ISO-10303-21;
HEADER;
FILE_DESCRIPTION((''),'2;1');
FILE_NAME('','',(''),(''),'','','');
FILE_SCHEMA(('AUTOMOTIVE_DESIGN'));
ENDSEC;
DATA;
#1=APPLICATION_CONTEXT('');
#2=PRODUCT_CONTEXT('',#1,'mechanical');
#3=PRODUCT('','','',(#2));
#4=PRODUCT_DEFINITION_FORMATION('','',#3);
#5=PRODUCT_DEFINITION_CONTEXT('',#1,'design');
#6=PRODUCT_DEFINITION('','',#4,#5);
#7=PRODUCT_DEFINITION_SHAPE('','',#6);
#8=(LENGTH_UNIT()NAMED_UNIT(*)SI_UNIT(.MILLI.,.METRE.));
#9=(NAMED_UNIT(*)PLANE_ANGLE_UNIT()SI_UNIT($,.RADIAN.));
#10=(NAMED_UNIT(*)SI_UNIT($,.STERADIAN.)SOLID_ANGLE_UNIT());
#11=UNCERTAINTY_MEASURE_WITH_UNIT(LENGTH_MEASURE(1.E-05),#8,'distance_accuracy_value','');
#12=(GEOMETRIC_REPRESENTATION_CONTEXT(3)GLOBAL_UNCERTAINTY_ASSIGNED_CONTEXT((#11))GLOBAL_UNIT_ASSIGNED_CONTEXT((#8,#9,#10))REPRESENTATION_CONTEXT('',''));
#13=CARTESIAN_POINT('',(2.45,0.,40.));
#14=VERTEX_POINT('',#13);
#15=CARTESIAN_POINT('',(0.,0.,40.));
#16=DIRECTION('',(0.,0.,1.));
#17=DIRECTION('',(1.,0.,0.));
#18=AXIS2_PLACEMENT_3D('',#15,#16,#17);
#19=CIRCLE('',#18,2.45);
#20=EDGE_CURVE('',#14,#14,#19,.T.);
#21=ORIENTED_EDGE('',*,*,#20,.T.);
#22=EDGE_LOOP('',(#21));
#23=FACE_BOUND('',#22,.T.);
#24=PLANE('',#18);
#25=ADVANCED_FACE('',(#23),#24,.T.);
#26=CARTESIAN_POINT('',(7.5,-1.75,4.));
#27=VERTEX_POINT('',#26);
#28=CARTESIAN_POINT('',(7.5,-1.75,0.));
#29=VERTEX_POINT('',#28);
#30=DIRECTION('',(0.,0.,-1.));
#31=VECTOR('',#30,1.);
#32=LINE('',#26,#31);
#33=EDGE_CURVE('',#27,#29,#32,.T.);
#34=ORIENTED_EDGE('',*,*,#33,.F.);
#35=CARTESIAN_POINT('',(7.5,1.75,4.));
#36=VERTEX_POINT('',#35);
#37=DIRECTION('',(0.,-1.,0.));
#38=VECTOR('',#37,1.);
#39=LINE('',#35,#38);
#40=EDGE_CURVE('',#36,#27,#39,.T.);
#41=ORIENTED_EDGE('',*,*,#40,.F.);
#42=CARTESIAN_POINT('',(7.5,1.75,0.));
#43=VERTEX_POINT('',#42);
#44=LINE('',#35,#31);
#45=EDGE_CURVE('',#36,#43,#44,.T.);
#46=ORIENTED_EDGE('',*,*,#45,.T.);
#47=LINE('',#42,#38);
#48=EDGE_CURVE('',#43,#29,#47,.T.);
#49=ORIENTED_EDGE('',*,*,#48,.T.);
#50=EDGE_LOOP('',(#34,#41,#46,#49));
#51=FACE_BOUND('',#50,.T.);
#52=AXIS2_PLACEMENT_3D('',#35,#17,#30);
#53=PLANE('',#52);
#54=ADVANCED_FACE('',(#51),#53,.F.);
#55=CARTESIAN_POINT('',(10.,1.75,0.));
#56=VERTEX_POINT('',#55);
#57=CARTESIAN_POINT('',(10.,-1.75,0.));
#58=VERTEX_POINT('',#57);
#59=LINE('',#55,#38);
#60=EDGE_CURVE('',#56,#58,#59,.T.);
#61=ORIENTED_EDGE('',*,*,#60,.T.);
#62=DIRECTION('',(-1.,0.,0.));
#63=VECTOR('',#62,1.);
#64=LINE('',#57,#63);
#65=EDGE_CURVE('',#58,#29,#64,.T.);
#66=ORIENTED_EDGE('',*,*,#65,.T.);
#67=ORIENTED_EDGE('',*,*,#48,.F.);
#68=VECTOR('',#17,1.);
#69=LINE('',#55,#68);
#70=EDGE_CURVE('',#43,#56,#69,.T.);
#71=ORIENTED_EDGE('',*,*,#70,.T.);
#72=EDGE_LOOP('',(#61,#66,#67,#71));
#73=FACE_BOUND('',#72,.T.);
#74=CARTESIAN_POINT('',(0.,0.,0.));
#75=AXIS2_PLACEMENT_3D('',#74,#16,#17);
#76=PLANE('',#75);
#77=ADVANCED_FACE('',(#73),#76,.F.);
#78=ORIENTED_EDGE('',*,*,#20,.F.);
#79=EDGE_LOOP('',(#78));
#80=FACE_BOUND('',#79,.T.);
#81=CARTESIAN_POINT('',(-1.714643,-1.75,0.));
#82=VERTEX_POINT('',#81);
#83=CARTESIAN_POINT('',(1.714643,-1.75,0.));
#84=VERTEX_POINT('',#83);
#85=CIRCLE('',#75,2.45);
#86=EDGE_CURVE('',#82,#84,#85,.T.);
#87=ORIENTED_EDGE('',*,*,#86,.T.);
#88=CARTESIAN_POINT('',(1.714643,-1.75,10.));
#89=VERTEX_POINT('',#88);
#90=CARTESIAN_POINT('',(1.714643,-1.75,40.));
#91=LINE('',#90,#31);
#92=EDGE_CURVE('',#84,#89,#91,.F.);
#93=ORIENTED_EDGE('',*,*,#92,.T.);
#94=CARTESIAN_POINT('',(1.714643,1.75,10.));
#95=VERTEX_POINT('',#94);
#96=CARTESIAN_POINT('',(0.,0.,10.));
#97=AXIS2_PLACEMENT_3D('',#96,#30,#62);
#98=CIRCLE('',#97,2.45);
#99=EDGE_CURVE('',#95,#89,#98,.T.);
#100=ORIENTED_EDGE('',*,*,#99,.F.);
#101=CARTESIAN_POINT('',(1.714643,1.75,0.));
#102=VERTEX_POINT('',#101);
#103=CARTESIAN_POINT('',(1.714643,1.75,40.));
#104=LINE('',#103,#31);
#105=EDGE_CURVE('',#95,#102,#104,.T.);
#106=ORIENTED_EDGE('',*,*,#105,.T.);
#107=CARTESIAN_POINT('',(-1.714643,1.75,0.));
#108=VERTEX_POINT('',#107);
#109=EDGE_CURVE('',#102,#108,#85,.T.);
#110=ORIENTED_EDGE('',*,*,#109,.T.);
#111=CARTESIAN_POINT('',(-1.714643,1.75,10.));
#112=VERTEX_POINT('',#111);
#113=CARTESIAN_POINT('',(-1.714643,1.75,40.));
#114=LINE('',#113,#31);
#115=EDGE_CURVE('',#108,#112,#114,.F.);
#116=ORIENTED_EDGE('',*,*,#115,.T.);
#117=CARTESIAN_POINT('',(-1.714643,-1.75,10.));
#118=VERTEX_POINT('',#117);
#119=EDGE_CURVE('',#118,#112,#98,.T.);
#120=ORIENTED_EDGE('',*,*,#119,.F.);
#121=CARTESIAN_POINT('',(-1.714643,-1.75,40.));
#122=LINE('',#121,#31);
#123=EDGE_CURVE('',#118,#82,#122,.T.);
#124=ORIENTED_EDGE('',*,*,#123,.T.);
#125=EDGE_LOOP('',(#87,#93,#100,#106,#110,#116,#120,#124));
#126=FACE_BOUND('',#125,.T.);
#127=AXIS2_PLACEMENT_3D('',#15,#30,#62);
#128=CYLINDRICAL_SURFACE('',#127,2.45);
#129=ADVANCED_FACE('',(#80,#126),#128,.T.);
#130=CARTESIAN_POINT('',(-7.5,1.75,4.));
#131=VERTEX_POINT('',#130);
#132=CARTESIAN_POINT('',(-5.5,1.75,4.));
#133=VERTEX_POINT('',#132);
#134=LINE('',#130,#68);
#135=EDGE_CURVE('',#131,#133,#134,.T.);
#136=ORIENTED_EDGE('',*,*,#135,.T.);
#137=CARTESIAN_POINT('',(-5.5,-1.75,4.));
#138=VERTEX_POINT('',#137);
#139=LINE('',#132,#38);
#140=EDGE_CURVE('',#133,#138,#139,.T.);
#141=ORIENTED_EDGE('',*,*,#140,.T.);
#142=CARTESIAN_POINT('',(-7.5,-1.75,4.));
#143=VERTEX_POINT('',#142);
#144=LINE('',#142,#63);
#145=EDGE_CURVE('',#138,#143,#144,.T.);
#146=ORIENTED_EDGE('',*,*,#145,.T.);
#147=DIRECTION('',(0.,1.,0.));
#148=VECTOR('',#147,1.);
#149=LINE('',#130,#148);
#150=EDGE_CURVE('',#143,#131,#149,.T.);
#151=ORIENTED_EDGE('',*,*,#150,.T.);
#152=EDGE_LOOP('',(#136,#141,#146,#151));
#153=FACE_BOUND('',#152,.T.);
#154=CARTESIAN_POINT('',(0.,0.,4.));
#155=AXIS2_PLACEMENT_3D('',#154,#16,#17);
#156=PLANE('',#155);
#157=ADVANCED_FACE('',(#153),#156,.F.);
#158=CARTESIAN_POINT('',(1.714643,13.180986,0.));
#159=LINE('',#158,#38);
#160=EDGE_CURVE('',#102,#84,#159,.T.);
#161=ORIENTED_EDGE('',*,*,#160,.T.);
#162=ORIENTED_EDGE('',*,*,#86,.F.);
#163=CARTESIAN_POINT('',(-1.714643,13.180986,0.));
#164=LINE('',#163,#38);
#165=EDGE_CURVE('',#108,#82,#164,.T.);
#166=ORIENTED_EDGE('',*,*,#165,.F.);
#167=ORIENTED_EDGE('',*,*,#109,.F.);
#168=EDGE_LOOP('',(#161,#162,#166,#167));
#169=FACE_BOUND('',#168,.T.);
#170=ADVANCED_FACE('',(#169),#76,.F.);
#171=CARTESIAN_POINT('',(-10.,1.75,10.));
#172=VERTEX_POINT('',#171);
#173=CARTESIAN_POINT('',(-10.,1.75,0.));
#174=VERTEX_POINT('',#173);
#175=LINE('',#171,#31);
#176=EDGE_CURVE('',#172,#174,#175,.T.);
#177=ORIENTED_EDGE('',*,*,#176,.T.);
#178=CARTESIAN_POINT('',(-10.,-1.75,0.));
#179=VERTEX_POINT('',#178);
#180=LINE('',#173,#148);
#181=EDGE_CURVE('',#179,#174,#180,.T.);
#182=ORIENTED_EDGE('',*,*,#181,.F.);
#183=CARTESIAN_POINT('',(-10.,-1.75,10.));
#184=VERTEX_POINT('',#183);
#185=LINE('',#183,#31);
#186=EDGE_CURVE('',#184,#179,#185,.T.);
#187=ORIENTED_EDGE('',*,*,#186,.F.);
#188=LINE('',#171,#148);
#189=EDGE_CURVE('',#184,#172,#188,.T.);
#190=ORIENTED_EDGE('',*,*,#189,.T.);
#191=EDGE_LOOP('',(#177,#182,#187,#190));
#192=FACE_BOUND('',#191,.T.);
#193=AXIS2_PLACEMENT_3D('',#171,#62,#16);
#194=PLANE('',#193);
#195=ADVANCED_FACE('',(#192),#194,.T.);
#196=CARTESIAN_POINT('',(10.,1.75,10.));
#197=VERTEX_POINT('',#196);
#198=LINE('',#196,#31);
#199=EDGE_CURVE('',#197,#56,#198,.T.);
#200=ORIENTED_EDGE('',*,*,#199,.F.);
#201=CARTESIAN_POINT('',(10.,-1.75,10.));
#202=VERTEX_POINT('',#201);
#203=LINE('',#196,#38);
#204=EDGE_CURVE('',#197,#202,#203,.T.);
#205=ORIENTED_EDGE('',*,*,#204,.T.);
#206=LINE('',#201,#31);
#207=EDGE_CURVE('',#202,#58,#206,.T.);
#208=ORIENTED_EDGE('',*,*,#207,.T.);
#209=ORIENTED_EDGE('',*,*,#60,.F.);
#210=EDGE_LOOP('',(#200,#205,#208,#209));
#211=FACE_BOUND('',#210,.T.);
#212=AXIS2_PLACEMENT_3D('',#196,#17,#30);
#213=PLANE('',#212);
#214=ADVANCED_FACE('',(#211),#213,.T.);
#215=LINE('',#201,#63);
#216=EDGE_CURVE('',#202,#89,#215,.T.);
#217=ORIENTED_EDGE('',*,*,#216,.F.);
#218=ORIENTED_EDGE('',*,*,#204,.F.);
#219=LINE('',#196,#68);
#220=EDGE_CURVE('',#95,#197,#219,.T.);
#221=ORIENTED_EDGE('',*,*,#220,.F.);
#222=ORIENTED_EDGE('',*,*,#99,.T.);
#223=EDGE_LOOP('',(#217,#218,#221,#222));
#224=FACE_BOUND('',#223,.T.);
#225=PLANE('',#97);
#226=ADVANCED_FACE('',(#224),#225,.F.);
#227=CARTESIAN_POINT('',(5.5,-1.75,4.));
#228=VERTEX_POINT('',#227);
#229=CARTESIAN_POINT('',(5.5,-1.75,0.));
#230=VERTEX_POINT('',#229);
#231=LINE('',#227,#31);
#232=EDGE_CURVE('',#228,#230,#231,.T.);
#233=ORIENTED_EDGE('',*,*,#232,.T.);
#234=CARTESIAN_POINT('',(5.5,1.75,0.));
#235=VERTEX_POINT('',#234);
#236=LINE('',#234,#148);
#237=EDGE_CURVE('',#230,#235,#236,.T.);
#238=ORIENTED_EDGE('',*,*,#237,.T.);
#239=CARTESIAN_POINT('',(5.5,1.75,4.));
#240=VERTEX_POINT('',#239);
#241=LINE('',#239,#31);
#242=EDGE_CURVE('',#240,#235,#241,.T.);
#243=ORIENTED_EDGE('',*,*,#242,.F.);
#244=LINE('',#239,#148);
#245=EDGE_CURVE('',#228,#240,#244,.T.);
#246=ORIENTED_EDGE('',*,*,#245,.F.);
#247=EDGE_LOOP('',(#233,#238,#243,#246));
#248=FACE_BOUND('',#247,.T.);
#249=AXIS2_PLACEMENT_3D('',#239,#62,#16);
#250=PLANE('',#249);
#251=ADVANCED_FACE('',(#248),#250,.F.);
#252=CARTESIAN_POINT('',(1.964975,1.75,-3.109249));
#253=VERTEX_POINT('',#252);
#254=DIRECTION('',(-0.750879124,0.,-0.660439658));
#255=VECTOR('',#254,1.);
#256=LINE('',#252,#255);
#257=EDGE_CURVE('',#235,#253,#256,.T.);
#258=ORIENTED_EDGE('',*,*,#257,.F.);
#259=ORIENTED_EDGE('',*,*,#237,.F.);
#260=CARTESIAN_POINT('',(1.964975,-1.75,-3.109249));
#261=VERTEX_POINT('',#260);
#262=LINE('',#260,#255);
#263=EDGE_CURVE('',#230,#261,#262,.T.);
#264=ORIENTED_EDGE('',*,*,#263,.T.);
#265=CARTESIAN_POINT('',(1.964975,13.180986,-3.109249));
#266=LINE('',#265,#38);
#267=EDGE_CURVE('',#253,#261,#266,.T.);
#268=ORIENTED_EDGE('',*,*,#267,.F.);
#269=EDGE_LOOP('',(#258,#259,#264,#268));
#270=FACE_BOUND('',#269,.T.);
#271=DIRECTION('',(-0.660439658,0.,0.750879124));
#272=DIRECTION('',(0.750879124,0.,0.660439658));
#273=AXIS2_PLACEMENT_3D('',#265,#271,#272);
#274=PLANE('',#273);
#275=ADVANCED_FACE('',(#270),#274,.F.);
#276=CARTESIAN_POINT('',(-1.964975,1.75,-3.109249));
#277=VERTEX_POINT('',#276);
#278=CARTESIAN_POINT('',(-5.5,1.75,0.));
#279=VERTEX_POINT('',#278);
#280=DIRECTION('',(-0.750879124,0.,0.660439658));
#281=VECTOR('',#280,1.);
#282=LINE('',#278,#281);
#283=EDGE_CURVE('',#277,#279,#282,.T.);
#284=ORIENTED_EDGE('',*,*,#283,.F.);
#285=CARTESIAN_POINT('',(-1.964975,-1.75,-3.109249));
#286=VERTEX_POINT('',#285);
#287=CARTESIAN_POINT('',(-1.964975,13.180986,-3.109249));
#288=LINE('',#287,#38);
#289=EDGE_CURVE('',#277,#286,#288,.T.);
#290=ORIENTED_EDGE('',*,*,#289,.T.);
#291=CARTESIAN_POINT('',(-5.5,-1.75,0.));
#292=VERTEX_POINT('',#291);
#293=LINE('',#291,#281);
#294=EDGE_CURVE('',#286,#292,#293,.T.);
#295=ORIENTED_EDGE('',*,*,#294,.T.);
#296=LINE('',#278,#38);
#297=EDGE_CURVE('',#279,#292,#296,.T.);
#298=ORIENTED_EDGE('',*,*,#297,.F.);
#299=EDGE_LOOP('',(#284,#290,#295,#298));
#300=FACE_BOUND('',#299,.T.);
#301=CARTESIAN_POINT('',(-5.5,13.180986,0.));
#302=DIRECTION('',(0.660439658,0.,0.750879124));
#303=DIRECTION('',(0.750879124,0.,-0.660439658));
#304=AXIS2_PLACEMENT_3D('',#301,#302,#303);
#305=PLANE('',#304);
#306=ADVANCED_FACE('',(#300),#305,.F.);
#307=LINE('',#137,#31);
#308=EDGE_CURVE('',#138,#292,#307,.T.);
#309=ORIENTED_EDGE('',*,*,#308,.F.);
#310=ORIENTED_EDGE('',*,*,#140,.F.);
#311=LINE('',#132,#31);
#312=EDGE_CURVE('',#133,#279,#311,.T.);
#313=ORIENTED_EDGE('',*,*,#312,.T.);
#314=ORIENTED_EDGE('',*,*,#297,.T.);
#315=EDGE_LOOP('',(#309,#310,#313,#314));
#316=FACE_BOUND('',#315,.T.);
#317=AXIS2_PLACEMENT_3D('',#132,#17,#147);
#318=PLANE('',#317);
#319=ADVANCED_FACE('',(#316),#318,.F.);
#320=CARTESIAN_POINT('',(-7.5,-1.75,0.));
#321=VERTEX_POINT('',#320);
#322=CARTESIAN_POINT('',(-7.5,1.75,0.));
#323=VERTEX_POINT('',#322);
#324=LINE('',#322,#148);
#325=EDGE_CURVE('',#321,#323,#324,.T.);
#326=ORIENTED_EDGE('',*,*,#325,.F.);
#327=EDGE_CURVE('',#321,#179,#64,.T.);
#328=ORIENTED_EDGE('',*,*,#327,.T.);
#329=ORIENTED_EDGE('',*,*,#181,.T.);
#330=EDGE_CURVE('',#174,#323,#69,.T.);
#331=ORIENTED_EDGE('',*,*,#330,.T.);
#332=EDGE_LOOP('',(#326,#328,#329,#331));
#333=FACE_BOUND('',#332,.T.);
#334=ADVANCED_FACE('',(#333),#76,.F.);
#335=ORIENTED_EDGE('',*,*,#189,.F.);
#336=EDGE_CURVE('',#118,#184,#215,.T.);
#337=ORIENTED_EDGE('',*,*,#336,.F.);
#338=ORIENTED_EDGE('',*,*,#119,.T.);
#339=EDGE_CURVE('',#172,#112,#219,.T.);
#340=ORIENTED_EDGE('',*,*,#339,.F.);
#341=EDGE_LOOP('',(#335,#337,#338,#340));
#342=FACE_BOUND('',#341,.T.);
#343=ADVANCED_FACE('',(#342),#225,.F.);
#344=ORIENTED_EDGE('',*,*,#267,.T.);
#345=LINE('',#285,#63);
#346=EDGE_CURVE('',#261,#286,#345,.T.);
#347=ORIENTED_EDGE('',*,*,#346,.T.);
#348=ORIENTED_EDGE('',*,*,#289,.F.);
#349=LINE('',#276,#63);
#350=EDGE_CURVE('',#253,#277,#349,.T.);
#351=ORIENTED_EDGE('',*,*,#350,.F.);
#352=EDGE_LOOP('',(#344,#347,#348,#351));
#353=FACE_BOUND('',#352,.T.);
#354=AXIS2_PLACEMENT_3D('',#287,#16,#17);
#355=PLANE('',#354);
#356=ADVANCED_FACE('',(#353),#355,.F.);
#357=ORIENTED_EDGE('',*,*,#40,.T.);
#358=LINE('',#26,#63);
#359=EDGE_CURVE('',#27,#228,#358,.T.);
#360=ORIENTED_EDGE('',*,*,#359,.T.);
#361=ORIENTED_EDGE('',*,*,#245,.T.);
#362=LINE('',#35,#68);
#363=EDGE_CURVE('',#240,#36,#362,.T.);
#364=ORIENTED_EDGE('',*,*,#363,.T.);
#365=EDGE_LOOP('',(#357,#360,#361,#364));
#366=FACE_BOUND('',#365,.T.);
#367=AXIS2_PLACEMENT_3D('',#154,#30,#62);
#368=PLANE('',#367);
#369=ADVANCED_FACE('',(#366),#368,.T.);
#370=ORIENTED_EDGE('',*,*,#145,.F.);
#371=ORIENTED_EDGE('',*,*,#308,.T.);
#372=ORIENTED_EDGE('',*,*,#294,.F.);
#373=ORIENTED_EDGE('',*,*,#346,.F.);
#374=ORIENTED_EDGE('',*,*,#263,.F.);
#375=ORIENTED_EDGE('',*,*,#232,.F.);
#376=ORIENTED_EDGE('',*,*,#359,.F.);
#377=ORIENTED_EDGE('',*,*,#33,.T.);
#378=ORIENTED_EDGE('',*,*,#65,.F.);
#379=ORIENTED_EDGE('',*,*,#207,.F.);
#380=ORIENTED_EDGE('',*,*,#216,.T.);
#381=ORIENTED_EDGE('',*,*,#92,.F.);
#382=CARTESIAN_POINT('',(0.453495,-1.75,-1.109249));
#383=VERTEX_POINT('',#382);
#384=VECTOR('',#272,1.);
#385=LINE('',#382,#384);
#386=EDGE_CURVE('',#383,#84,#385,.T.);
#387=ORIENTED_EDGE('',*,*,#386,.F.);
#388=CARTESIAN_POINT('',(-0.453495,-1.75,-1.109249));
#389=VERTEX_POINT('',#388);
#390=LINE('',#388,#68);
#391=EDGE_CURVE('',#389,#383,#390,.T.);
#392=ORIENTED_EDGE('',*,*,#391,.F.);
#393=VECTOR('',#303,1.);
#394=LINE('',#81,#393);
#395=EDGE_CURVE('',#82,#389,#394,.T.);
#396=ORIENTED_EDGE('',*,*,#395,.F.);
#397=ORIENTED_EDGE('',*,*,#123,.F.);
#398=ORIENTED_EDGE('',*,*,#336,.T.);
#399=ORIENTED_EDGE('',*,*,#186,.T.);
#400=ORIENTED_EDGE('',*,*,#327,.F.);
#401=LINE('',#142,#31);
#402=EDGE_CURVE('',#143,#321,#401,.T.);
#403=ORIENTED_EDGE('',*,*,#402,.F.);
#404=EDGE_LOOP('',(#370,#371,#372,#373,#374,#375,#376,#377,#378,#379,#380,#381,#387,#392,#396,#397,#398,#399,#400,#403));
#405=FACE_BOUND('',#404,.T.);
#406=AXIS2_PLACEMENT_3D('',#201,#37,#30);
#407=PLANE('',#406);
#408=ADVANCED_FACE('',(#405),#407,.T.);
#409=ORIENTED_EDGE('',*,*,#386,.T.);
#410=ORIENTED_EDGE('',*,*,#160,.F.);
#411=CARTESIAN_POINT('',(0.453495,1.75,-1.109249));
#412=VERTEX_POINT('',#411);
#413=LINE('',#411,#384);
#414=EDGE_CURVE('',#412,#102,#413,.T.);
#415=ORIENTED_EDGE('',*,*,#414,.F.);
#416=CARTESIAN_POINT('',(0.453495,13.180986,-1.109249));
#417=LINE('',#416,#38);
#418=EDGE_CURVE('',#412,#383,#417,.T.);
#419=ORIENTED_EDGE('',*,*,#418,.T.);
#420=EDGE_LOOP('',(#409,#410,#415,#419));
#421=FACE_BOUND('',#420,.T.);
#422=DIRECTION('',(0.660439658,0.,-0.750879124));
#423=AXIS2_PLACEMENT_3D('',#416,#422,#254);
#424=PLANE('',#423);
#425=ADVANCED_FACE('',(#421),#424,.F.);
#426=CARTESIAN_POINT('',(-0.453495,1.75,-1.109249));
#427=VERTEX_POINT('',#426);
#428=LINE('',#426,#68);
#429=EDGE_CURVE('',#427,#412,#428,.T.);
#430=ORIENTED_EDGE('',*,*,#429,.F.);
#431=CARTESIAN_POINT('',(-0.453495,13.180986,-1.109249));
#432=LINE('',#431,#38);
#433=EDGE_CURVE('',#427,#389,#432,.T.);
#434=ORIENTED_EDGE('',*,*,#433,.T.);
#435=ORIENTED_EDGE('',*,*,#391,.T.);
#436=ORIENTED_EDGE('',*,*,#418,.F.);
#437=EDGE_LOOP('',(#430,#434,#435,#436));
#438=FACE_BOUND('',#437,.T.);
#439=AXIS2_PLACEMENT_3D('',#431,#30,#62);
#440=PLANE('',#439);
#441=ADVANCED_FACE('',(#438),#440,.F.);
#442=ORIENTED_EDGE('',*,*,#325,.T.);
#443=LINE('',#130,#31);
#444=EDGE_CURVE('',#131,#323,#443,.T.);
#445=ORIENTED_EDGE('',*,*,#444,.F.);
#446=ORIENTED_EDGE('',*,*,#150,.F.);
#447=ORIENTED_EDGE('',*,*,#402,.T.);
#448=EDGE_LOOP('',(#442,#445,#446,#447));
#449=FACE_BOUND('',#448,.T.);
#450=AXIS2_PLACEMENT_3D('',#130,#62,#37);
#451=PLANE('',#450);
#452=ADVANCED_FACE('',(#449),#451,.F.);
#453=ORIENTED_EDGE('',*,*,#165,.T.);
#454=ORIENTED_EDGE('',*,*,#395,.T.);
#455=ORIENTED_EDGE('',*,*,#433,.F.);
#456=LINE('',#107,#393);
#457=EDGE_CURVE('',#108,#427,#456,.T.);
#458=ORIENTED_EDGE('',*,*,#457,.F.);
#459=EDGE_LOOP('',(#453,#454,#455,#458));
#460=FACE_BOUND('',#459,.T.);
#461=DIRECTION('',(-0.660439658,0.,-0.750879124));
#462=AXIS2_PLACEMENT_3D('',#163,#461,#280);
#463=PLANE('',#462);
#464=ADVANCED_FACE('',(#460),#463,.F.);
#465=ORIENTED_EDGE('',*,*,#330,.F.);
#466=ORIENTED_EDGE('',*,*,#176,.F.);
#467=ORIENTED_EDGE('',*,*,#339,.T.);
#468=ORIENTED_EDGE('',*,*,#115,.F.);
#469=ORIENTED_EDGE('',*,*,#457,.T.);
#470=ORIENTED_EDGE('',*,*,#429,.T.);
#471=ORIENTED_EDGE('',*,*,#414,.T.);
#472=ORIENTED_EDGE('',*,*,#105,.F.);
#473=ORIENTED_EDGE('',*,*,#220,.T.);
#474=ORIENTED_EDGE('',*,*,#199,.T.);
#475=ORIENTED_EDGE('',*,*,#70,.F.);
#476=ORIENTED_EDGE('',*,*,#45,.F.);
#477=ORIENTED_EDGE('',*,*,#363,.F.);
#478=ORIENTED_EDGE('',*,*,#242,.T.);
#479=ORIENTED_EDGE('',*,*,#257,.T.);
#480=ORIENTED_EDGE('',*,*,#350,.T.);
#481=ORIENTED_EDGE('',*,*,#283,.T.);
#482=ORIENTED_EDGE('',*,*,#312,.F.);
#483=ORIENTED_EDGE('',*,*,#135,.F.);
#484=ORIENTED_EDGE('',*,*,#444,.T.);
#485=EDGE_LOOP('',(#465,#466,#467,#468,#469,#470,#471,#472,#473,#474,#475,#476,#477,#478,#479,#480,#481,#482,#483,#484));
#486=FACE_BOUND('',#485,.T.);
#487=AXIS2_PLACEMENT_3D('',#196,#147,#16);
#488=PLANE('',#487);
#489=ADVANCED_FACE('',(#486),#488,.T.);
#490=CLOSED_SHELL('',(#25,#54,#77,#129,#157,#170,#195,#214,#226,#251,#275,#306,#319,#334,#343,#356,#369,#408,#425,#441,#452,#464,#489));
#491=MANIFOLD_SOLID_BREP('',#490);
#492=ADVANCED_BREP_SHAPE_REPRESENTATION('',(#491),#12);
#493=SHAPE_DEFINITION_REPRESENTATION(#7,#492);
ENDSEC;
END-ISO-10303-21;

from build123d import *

# Parameters (mm, degrees)
SKETCH2_R           = 2.45
BOSS_EXTRUDE1_DEPTH = 40
SKETCH3_W           = 20
SKETCH3_H           = 3.5
BOSS_EXTRUDE2_DEPTH = 10
SKETCH4_W           = 2
SKETCH4_H           = 3.5
CUT_EXTRUDE1_DEPTH  = 4
BOSS_EXTRUDE3_START = -1.75
BOSS_EXTRUDE3_DEPTH = 3.5


with BuildPart() as part:
    # Sketch2 → Boss-Extrude1 (new body)
    with BuildSketch(Plane.XY):
        Circle(SKETCH2_R)
    extrude(amount=BOSS_EXTRUDE1_DEPTH)

    # Sketch3 → Boss-Extrude2 (add)
    with BuildSketch(Plane(origin=(0, 0, 0), x_dir=(-1, 0, 0), z_dir=(0, 0, -1))):
        Rectangle(SKETCH3_W, SKETCH3_H)
    extrude(amount=-BOSS_EXTRUDE2_DEPTH)

    # Sketch4 → Cut-Extrude1 (cut)
    with BuildSketch(Plane(origin=(0, 0, 0), x_dir=(-1, 0, 0), z_dir=(0, 0, -1))):
        with Locations((-6.5, 0)):
            Rectangle(SKETCH4_W, SKETCH4_H)
        with Locations((6.5, 0)):
            Rectangle(SKETCH4_W, SKETCH4_H)
    extrude(amount=-CUT_EXTRUDE1_DEPTH, mode=Mode.SUBTRACT)

    # Sketch5 → Boss-Extrude3 (add)
    with BuildSketch(Plane(origin=(0, 0, 0), x_dir=(1, 0, 0), z_dir=(0, 1, 0)).offset(BOSS_EXTRUDE3_START)):
        Polygon((-1.71464282, 0), (-0.45349465, 1.109249464), (0.45349465, 1.109249464), (1.71464282, 0), (5.5, 0), (1.964975284, 3.109249464), (-1.964975284, 3.109249464), (-5.5, 0), align=None)
    extrude(amount=BOSS_EXTRUDE3_DEPTH)


solid = part.part
